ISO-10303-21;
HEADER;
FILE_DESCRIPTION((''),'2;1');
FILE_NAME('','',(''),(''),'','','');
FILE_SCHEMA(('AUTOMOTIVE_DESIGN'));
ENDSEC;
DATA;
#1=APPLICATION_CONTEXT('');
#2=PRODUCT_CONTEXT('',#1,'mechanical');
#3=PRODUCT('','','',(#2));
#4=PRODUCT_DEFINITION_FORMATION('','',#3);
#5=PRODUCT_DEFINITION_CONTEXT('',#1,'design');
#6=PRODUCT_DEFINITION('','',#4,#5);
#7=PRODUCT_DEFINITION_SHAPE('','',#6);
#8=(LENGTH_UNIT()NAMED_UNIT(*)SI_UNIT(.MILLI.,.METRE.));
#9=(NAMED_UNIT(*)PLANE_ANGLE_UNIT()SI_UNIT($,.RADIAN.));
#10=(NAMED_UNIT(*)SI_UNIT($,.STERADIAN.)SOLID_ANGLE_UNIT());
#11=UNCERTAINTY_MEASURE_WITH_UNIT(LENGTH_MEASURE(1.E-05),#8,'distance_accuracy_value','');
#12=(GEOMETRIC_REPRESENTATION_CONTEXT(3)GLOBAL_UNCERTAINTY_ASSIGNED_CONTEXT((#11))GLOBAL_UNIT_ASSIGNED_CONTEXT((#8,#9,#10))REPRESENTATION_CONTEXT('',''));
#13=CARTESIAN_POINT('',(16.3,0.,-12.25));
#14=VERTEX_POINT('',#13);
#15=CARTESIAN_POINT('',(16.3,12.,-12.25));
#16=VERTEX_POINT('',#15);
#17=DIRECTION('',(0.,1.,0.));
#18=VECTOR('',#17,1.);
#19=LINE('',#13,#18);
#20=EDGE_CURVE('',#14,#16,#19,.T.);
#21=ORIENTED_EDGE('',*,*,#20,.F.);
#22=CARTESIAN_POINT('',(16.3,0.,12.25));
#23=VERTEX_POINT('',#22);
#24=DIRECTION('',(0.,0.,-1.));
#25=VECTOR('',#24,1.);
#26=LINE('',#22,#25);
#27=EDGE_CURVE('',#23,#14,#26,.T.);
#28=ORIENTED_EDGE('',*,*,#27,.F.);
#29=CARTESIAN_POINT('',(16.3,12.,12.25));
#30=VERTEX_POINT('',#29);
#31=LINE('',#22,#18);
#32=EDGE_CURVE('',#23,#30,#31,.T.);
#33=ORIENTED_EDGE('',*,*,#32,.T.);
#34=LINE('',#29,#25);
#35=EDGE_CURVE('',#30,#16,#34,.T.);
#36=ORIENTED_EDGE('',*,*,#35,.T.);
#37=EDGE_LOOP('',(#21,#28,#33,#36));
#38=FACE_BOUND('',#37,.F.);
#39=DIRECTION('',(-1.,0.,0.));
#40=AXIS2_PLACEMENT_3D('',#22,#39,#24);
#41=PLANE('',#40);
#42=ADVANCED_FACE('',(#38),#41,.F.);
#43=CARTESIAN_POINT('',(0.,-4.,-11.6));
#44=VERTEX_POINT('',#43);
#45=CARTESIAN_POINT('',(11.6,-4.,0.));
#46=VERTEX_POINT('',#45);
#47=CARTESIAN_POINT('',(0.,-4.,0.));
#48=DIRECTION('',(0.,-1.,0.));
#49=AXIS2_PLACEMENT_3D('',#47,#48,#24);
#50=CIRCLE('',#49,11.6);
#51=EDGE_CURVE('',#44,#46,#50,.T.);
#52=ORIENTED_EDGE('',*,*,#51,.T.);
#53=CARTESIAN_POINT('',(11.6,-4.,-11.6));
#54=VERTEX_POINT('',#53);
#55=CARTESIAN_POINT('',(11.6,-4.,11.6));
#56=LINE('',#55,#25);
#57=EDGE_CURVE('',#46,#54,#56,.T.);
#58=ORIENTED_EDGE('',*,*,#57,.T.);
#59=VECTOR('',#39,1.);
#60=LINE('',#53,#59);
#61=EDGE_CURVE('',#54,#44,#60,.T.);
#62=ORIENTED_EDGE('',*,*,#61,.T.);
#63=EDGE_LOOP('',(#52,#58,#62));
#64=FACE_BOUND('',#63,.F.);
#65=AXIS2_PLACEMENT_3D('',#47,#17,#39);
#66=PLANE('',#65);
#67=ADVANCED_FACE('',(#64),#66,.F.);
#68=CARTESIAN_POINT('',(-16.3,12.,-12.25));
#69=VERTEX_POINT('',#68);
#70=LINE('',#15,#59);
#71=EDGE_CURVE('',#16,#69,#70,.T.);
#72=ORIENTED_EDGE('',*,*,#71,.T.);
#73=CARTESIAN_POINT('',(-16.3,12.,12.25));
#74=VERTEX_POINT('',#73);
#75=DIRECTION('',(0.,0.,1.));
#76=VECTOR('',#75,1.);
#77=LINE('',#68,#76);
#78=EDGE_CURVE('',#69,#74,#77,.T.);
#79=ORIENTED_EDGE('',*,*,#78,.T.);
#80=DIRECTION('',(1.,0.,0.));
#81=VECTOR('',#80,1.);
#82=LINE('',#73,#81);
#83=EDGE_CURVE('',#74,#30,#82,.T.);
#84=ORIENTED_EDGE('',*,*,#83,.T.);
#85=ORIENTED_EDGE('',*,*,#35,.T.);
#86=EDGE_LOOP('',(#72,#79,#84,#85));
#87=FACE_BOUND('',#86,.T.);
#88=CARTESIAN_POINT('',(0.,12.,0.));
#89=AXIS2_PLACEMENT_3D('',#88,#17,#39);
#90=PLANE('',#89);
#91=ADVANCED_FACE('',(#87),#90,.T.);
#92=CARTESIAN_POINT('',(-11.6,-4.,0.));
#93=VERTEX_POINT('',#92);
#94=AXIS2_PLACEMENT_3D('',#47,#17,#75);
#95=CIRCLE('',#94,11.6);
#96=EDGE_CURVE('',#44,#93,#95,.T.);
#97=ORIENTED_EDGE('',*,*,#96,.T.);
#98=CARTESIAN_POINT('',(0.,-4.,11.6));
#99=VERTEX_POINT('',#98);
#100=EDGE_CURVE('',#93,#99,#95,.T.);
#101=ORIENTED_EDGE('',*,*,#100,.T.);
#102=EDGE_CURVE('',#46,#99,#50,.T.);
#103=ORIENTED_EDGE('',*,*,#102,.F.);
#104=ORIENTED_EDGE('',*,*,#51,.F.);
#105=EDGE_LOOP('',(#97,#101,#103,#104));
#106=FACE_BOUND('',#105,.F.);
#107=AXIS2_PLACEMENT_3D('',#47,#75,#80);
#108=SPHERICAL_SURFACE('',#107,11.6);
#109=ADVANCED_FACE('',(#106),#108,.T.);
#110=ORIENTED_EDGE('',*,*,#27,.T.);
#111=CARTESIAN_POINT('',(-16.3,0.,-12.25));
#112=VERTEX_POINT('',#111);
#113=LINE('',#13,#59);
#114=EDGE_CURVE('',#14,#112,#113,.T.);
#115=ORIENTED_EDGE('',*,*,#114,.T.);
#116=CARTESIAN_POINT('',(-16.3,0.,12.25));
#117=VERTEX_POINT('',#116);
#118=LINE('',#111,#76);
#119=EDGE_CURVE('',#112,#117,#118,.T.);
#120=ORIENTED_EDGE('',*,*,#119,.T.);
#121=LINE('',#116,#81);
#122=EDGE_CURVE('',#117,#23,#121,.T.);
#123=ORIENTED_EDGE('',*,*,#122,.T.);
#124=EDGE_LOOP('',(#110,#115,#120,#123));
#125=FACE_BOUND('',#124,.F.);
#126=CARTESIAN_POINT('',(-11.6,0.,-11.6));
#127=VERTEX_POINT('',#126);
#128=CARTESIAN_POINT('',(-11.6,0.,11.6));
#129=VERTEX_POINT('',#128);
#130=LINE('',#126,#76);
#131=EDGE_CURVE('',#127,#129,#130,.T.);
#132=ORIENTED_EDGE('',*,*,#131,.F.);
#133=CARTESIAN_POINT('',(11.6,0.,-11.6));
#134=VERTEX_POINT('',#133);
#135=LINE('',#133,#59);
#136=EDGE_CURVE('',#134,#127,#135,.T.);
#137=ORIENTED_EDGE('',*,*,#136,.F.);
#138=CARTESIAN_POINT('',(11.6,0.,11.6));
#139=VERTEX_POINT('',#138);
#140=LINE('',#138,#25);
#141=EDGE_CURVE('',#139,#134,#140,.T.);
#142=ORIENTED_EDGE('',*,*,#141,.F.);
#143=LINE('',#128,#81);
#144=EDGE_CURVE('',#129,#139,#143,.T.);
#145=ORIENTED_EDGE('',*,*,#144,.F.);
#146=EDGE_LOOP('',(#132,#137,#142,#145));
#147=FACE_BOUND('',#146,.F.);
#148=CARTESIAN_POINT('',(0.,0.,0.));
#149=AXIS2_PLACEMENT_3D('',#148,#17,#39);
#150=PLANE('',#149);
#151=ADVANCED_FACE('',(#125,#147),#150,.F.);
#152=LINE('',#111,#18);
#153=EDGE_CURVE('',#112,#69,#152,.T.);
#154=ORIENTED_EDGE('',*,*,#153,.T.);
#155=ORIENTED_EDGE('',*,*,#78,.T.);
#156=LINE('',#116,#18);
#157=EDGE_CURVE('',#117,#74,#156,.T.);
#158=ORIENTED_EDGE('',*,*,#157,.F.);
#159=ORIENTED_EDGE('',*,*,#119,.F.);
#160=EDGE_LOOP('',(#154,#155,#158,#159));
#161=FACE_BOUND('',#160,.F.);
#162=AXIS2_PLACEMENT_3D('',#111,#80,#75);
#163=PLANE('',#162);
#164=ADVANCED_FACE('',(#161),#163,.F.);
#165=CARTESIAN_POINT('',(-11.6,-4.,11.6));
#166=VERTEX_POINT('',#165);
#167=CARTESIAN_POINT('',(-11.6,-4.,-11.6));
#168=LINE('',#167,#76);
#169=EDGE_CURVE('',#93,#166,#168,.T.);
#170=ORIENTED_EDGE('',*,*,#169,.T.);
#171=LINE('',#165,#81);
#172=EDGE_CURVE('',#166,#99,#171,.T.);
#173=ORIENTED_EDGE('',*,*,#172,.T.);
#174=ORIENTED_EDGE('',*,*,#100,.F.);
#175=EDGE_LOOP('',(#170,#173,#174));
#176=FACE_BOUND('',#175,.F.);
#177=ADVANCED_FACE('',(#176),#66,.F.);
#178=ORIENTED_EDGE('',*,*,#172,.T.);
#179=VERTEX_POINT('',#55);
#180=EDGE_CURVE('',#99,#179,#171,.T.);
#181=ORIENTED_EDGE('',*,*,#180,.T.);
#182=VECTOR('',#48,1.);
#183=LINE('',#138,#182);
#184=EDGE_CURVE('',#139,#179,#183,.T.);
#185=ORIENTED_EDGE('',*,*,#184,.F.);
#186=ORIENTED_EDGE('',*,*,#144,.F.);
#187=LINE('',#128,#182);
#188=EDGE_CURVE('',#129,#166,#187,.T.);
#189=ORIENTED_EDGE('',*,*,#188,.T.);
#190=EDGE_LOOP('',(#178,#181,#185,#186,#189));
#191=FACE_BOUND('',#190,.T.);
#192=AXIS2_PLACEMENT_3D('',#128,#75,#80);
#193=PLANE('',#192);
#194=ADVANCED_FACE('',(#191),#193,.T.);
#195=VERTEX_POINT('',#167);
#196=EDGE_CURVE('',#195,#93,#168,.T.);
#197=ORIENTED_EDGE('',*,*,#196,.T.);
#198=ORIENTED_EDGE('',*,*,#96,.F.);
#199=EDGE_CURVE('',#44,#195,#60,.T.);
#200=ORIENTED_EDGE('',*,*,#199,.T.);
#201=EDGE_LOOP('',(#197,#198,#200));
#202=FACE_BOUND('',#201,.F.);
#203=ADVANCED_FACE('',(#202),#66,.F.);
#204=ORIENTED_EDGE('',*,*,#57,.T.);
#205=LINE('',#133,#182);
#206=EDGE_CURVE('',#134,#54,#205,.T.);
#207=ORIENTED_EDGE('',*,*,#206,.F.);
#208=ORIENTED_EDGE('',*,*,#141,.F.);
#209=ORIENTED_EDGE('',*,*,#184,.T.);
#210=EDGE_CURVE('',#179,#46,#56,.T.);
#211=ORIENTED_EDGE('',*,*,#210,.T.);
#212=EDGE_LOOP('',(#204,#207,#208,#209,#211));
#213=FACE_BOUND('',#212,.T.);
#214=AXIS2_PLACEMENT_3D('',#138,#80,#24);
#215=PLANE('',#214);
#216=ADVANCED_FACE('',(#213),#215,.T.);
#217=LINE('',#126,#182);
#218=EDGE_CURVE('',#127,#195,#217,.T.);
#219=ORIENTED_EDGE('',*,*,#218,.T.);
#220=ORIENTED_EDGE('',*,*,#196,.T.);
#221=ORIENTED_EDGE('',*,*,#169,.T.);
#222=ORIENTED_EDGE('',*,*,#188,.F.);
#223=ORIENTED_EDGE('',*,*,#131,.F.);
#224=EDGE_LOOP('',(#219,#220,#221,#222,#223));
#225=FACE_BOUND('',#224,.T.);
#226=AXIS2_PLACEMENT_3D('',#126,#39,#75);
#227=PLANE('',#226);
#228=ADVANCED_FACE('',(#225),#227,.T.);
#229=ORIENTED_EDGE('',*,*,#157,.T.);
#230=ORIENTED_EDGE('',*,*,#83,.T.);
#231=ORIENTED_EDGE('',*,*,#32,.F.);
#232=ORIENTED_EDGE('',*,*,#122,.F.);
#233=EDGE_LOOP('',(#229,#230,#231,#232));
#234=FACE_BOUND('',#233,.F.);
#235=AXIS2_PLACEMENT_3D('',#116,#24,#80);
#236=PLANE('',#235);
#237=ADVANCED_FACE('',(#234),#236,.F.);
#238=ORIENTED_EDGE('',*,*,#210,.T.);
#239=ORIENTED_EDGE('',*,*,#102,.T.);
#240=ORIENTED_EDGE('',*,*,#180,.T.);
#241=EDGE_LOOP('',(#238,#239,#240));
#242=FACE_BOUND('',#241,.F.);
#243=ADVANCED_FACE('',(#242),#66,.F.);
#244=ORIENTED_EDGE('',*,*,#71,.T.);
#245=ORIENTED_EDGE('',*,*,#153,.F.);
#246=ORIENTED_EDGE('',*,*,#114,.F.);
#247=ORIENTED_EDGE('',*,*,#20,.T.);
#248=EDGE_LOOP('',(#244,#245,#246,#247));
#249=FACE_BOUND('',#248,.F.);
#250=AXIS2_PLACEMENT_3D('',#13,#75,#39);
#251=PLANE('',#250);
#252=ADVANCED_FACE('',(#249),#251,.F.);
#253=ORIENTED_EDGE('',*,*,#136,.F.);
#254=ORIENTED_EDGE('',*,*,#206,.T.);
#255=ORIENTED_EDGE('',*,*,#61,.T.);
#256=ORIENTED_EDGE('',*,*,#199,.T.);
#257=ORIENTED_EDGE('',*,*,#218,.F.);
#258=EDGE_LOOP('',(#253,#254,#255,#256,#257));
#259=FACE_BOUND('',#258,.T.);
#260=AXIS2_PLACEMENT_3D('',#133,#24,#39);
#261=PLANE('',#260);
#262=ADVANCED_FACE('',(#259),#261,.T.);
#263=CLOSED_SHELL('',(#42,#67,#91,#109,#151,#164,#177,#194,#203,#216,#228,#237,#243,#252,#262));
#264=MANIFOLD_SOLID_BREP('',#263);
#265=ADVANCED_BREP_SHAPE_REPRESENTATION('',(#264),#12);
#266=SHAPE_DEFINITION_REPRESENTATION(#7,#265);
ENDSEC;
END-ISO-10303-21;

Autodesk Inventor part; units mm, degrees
ref_plane "YZ Plane" through (0, 0, 0) normal (1, 0, 0) x (0, 1, 0)
ref_plane "XZ Plane" through (0, 0, 0) normal (0, 1, 0) x (-1, 0, 0)
ref_plane "XY Plane" through (0, 0, 0) normal (0, 0, 1) x (1, 0, 0)
sketch "Sketch1" plane through (0, 0, 0) normal (0, 1, 0) x (-1, 0, 0)
  line L0 (16.3, 12.25) -> (-16.3, 12.25)
  line L1 (-16.3, 12.25) -> (-16.3, -12.25)
  line L2 (-16.3, -12.25) -> (16.3, -12.25)
  line L3 (16.3, -12.25) -> (16.3, 12.25)
  line L4 (11.6, 11.6) -> (-11.6, 11.6)
  line L5 (-11.6, 11.6) -> (-11.6, -11.6)
  line L6 (-11.6, -11.6) -> (11.6, -11.6)
  line L7 (11.6, -11.6) -> (11.6, 11.6)
  point P0 (0, 0)
  point P1 (-11.6, 0)
  point P2 (-16.3, 0)
  point P3 (0, 12.25)
  point P4 (0, 11.6)
  dimension "d0" = 32.6
  dimension "d1" = 24.5
  dimension "d2" = 23.2
extrude "Extrusion1" add sketch "Sketch1" along normal blind 12 contours L3 L2 L1 L0 | L7 L6 L5 L4
extrude "Extrusion2" add sketch "Sketch1" against normal blind 4 contours L7 L6 L5 L4
sketch "Sketch2" plane through (0, -4, 0) normal (0, -1, 0) x (1, 0, 0)
  line L0 (11.6, 11.6) -> (-11.6, 11.6) projected
  line L1 (0, 11.6) -> (0, -11.6)
  line L2 (11.6, -11.6) -> (-11.6, -11.6) projected
  arc A0 (0, -11.6) -> (0, 11.6) centre (0, 0) ccw
revolve "Revolution1" add sketch "Sketch2" angle 360 about axis through (0, -4, 11.6) along (0, 0, -1)
properties part number "pir"
